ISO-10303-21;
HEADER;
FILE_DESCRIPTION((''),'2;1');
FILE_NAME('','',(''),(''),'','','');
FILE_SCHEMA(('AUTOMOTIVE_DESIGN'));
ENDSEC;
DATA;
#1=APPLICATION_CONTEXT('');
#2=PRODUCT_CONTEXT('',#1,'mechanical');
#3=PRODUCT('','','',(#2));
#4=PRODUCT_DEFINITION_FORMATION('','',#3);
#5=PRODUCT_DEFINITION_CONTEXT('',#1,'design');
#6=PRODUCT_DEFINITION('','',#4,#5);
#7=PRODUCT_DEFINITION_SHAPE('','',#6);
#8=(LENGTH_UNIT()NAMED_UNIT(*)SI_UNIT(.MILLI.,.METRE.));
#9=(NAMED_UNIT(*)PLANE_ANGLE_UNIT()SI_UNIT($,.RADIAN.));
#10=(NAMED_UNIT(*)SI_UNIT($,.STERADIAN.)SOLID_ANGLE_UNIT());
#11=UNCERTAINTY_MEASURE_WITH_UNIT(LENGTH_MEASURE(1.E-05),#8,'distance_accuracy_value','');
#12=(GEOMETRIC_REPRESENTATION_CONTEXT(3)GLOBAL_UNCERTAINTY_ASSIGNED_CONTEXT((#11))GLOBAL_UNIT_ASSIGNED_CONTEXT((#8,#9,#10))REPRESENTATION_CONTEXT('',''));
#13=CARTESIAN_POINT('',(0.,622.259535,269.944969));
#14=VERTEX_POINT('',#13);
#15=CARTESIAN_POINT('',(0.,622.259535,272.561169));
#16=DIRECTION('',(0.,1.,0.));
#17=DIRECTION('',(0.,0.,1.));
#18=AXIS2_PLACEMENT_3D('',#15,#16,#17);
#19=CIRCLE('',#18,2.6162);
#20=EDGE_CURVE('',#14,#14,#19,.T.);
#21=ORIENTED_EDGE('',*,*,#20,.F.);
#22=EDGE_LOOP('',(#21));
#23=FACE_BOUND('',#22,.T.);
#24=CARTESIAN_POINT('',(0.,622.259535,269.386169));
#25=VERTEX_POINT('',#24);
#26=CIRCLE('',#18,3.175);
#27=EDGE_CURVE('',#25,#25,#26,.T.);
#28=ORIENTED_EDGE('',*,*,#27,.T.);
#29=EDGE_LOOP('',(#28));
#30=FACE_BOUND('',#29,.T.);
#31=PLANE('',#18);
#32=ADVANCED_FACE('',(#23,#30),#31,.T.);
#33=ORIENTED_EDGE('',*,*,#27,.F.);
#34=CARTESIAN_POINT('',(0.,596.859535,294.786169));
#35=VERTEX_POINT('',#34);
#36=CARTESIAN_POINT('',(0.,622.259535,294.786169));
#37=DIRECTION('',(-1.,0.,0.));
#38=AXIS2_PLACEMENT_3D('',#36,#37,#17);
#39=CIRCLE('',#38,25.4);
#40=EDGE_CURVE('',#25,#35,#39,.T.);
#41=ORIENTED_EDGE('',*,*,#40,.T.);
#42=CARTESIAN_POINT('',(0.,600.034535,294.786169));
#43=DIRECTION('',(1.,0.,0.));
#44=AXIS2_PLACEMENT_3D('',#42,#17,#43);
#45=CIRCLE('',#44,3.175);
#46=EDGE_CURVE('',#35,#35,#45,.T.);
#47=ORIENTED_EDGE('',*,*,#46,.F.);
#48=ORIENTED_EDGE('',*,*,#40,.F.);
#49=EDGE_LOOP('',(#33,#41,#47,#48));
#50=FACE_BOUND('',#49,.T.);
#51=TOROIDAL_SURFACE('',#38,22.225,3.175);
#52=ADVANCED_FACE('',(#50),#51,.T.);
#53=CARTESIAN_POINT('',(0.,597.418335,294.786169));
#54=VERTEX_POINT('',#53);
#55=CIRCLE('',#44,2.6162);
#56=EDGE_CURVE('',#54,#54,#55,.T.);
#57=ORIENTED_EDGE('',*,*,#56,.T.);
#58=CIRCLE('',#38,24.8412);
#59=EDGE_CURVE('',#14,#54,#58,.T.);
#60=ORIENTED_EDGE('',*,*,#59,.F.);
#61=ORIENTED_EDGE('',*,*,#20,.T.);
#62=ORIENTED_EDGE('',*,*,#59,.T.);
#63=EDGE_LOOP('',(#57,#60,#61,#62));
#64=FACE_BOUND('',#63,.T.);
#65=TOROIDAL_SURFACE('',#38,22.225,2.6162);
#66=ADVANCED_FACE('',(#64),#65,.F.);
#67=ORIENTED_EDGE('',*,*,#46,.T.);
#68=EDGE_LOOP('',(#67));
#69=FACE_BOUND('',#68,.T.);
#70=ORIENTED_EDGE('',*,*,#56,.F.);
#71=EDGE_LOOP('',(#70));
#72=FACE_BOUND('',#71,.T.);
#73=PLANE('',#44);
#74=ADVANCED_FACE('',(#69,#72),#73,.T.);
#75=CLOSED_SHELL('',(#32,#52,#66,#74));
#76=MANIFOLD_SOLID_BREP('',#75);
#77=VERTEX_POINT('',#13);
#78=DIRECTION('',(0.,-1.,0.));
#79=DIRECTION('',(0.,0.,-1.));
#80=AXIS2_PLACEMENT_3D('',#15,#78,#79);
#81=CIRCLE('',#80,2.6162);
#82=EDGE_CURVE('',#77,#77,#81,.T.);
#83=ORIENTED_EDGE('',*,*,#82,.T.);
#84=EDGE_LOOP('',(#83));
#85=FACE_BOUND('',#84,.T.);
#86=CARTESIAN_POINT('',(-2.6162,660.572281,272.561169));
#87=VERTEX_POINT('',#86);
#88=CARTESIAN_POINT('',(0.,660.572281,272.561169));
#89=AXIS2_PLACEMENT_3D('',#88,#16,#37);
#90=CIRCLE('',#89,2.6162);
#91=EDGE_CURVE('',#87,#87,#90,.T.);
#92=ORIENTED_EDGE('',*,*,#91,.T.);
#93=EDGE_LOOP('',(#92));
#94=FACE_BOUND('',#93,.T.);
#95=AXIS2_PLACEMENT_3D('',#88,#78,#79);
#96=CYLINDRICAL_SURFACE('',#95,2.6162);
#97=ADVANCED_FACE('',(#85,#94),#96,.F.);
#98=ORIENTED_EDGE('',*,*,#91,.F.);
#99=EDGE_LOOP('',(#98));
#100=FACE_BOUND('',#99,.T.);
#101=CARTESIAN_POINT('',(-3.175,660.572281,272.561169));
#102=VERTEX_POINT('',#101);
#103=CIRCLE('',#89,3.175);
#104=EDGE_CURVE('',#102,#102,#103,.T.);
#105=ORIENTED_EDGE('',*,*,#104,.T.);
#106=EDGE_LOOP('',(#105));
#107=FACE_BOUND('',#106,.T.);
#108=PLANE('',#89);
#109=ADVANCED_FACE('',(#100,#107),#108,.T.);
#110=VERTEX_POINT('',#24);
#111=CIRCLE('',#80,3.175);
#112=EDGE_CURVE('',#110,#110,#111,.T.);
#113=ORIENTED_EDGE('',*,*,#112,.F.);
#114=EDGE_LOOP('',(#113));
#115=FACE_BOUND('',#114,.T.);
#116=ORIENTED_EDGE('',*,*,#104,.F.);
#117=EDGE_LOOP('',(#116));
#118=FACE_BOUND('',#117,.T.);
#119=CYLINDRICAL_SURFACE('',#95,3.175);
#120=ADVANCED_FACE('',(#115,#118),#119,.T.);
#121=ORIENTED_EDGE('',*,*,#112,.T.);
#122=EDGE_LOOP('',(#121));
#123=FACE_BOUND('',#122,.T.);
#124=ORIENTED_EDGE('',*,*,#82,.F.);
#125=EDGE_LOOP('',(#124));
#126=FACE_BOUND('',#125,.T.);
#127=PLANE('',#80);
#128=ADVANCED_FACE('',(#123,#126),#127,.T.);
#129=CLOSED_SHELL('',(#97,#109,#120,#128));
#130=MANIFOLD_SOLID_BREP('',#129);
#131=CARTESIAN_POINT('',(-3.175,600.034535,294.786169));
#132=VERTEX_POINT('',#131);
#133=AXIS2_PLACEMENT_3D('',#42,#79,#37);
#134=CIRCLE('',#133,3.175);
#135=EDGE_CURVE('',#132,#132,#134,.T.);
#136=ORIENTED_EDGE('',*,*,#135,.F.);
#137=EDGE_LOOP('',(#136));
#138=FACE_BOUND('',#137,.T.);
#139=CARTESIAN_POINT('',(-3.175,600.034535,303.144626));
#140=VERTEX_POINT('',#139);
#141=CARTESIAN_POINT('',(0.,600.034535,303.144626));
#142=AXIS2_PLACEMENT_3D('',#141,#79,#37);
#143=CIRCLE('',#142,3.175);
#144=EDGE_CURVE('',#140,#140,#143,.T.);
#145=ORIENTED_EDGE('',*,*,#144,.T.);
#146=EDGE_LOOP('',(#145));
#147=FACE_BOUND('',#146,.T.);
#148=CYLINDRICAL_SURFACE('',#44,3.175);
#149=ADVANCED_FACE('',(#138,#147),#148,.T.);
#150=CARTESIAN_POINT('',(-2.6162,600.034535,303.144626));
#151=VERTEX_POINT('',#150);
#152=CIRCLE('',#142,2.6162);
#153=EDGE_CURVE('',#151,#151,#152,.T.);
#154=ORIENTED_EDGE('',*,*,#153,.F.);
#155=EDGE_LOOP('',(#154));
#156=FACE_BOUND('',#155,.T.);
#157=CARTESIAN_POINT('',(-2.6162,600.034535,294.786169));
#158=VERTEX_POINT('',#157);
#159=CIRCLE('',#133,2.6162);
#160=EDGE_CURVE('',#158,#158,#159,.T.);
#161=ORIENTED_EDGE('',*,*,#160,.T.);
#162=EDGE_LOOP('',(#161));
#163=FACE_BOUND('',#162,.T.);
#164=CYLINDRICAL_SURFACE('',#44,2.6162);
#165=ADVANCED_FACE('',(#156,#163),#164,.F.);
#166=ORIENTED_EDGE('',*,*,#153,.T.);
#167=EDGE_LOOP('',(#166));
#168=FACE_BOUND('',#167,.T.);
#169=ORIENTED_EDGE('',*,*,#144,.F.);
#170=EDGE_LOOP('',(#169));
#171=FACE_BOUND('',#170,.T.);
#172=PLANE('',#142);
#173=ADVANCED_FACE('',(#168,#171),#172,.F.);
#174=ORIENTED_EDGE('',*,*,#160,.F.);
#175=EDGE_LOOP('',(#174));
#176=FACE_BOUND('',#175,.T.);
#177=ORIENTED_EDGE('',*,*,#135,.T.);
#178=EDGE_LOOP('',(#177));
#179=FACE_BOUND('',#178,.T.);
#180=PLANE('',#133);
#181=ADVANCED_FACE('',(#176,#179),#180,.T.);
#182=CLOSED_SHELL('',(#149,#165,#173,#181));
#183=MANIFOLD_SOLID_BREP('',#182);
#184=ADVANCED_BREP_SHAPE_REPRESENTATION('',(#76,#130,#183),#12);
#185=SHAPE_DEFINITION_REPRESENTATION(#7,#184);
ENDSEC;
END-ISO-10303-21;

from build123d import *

# Parameters (mm, degrees)
SKETCH11_R                = 3.175
SKETCH11_R_2              = 2.6162
PIPE_0_5_SCH_40_1_DEPTH   = 8.358456741
SKETCH11_ON_SEGMENT_2_R   = 3.175
SKETCH11_ON_SEGMENT_2_R_2 = 2.6162
PIPE_0_5_SCH_40_1_2_ANGLE = 90
SKETCH11_ON_SEGMENT_3_R   = 3.175
SKETCH11_ON_SEGMENT_3_R_2 = 2.6162
PIPE_0_5_SCH_40_1_3_DEPTH = 38.312746142


with BuildPart() as part:
    # Sketch11 → Pipe 0.5 SCH 40(1) (new body)
    with BuildSketch(Plane(origin=(0, 600.034535067, 303.144625759), x_dir=(0, 1, 0), z_dir=(0, 0, -1))):
        Circle(SKETCH11_R)
        Circle(SKETCH11_R_2, mode=Mode.SUBTRACT)
    extrude(amount=PIPE_0_5_SCH_40_1_DEPTH)


with BuildPart() as body_2:
    # Sketch11 on segment 2 (carried to the start of arc 2) → Pipe 0.5 SCH 40_1 2 (revolve)
    with BuildSketch(Plane(origin=(0, 600.034535067, 294.786169018), x_dir=(0, 1, 0), z_dir=(0, 0, -1))):
        Circle(SKETCH11_ON_SEGMENT_2_R)
        Circle(SKETCH11_ON_SEGMENT_2_R_2, mode=Mode.SUBTRACT)
    revolve(axis=Axis((0, 622.259535067, 294.786169018), (1, 0, 0)), revolution_arc=PIPE_0_5_SCH_40_1_2_ANGLE)


with BuildPart() as body_3:
    # Sketch11 on segment 3 (carried to segment 3) → Pipe 0.5 SCH 40_1 3 (new body)
    with BuildSketch(Plane(origin=(0, 622.259535067, 272.561169018), x_dir=(0, 0, 1), z_dir=(0, 1, 0))):
        Circle(SKETCH11_ON_SEGMENT_3_R)
        Circle(SKETCH11_ON_SEGMENT_3_R_2, mode=Mode.SUBTRACT)
    extrude(amount=PIPE_0_5_SCH_40_1_3_DEPTH)


solid = Compound([part.part, body_2.part, body_3.part])
